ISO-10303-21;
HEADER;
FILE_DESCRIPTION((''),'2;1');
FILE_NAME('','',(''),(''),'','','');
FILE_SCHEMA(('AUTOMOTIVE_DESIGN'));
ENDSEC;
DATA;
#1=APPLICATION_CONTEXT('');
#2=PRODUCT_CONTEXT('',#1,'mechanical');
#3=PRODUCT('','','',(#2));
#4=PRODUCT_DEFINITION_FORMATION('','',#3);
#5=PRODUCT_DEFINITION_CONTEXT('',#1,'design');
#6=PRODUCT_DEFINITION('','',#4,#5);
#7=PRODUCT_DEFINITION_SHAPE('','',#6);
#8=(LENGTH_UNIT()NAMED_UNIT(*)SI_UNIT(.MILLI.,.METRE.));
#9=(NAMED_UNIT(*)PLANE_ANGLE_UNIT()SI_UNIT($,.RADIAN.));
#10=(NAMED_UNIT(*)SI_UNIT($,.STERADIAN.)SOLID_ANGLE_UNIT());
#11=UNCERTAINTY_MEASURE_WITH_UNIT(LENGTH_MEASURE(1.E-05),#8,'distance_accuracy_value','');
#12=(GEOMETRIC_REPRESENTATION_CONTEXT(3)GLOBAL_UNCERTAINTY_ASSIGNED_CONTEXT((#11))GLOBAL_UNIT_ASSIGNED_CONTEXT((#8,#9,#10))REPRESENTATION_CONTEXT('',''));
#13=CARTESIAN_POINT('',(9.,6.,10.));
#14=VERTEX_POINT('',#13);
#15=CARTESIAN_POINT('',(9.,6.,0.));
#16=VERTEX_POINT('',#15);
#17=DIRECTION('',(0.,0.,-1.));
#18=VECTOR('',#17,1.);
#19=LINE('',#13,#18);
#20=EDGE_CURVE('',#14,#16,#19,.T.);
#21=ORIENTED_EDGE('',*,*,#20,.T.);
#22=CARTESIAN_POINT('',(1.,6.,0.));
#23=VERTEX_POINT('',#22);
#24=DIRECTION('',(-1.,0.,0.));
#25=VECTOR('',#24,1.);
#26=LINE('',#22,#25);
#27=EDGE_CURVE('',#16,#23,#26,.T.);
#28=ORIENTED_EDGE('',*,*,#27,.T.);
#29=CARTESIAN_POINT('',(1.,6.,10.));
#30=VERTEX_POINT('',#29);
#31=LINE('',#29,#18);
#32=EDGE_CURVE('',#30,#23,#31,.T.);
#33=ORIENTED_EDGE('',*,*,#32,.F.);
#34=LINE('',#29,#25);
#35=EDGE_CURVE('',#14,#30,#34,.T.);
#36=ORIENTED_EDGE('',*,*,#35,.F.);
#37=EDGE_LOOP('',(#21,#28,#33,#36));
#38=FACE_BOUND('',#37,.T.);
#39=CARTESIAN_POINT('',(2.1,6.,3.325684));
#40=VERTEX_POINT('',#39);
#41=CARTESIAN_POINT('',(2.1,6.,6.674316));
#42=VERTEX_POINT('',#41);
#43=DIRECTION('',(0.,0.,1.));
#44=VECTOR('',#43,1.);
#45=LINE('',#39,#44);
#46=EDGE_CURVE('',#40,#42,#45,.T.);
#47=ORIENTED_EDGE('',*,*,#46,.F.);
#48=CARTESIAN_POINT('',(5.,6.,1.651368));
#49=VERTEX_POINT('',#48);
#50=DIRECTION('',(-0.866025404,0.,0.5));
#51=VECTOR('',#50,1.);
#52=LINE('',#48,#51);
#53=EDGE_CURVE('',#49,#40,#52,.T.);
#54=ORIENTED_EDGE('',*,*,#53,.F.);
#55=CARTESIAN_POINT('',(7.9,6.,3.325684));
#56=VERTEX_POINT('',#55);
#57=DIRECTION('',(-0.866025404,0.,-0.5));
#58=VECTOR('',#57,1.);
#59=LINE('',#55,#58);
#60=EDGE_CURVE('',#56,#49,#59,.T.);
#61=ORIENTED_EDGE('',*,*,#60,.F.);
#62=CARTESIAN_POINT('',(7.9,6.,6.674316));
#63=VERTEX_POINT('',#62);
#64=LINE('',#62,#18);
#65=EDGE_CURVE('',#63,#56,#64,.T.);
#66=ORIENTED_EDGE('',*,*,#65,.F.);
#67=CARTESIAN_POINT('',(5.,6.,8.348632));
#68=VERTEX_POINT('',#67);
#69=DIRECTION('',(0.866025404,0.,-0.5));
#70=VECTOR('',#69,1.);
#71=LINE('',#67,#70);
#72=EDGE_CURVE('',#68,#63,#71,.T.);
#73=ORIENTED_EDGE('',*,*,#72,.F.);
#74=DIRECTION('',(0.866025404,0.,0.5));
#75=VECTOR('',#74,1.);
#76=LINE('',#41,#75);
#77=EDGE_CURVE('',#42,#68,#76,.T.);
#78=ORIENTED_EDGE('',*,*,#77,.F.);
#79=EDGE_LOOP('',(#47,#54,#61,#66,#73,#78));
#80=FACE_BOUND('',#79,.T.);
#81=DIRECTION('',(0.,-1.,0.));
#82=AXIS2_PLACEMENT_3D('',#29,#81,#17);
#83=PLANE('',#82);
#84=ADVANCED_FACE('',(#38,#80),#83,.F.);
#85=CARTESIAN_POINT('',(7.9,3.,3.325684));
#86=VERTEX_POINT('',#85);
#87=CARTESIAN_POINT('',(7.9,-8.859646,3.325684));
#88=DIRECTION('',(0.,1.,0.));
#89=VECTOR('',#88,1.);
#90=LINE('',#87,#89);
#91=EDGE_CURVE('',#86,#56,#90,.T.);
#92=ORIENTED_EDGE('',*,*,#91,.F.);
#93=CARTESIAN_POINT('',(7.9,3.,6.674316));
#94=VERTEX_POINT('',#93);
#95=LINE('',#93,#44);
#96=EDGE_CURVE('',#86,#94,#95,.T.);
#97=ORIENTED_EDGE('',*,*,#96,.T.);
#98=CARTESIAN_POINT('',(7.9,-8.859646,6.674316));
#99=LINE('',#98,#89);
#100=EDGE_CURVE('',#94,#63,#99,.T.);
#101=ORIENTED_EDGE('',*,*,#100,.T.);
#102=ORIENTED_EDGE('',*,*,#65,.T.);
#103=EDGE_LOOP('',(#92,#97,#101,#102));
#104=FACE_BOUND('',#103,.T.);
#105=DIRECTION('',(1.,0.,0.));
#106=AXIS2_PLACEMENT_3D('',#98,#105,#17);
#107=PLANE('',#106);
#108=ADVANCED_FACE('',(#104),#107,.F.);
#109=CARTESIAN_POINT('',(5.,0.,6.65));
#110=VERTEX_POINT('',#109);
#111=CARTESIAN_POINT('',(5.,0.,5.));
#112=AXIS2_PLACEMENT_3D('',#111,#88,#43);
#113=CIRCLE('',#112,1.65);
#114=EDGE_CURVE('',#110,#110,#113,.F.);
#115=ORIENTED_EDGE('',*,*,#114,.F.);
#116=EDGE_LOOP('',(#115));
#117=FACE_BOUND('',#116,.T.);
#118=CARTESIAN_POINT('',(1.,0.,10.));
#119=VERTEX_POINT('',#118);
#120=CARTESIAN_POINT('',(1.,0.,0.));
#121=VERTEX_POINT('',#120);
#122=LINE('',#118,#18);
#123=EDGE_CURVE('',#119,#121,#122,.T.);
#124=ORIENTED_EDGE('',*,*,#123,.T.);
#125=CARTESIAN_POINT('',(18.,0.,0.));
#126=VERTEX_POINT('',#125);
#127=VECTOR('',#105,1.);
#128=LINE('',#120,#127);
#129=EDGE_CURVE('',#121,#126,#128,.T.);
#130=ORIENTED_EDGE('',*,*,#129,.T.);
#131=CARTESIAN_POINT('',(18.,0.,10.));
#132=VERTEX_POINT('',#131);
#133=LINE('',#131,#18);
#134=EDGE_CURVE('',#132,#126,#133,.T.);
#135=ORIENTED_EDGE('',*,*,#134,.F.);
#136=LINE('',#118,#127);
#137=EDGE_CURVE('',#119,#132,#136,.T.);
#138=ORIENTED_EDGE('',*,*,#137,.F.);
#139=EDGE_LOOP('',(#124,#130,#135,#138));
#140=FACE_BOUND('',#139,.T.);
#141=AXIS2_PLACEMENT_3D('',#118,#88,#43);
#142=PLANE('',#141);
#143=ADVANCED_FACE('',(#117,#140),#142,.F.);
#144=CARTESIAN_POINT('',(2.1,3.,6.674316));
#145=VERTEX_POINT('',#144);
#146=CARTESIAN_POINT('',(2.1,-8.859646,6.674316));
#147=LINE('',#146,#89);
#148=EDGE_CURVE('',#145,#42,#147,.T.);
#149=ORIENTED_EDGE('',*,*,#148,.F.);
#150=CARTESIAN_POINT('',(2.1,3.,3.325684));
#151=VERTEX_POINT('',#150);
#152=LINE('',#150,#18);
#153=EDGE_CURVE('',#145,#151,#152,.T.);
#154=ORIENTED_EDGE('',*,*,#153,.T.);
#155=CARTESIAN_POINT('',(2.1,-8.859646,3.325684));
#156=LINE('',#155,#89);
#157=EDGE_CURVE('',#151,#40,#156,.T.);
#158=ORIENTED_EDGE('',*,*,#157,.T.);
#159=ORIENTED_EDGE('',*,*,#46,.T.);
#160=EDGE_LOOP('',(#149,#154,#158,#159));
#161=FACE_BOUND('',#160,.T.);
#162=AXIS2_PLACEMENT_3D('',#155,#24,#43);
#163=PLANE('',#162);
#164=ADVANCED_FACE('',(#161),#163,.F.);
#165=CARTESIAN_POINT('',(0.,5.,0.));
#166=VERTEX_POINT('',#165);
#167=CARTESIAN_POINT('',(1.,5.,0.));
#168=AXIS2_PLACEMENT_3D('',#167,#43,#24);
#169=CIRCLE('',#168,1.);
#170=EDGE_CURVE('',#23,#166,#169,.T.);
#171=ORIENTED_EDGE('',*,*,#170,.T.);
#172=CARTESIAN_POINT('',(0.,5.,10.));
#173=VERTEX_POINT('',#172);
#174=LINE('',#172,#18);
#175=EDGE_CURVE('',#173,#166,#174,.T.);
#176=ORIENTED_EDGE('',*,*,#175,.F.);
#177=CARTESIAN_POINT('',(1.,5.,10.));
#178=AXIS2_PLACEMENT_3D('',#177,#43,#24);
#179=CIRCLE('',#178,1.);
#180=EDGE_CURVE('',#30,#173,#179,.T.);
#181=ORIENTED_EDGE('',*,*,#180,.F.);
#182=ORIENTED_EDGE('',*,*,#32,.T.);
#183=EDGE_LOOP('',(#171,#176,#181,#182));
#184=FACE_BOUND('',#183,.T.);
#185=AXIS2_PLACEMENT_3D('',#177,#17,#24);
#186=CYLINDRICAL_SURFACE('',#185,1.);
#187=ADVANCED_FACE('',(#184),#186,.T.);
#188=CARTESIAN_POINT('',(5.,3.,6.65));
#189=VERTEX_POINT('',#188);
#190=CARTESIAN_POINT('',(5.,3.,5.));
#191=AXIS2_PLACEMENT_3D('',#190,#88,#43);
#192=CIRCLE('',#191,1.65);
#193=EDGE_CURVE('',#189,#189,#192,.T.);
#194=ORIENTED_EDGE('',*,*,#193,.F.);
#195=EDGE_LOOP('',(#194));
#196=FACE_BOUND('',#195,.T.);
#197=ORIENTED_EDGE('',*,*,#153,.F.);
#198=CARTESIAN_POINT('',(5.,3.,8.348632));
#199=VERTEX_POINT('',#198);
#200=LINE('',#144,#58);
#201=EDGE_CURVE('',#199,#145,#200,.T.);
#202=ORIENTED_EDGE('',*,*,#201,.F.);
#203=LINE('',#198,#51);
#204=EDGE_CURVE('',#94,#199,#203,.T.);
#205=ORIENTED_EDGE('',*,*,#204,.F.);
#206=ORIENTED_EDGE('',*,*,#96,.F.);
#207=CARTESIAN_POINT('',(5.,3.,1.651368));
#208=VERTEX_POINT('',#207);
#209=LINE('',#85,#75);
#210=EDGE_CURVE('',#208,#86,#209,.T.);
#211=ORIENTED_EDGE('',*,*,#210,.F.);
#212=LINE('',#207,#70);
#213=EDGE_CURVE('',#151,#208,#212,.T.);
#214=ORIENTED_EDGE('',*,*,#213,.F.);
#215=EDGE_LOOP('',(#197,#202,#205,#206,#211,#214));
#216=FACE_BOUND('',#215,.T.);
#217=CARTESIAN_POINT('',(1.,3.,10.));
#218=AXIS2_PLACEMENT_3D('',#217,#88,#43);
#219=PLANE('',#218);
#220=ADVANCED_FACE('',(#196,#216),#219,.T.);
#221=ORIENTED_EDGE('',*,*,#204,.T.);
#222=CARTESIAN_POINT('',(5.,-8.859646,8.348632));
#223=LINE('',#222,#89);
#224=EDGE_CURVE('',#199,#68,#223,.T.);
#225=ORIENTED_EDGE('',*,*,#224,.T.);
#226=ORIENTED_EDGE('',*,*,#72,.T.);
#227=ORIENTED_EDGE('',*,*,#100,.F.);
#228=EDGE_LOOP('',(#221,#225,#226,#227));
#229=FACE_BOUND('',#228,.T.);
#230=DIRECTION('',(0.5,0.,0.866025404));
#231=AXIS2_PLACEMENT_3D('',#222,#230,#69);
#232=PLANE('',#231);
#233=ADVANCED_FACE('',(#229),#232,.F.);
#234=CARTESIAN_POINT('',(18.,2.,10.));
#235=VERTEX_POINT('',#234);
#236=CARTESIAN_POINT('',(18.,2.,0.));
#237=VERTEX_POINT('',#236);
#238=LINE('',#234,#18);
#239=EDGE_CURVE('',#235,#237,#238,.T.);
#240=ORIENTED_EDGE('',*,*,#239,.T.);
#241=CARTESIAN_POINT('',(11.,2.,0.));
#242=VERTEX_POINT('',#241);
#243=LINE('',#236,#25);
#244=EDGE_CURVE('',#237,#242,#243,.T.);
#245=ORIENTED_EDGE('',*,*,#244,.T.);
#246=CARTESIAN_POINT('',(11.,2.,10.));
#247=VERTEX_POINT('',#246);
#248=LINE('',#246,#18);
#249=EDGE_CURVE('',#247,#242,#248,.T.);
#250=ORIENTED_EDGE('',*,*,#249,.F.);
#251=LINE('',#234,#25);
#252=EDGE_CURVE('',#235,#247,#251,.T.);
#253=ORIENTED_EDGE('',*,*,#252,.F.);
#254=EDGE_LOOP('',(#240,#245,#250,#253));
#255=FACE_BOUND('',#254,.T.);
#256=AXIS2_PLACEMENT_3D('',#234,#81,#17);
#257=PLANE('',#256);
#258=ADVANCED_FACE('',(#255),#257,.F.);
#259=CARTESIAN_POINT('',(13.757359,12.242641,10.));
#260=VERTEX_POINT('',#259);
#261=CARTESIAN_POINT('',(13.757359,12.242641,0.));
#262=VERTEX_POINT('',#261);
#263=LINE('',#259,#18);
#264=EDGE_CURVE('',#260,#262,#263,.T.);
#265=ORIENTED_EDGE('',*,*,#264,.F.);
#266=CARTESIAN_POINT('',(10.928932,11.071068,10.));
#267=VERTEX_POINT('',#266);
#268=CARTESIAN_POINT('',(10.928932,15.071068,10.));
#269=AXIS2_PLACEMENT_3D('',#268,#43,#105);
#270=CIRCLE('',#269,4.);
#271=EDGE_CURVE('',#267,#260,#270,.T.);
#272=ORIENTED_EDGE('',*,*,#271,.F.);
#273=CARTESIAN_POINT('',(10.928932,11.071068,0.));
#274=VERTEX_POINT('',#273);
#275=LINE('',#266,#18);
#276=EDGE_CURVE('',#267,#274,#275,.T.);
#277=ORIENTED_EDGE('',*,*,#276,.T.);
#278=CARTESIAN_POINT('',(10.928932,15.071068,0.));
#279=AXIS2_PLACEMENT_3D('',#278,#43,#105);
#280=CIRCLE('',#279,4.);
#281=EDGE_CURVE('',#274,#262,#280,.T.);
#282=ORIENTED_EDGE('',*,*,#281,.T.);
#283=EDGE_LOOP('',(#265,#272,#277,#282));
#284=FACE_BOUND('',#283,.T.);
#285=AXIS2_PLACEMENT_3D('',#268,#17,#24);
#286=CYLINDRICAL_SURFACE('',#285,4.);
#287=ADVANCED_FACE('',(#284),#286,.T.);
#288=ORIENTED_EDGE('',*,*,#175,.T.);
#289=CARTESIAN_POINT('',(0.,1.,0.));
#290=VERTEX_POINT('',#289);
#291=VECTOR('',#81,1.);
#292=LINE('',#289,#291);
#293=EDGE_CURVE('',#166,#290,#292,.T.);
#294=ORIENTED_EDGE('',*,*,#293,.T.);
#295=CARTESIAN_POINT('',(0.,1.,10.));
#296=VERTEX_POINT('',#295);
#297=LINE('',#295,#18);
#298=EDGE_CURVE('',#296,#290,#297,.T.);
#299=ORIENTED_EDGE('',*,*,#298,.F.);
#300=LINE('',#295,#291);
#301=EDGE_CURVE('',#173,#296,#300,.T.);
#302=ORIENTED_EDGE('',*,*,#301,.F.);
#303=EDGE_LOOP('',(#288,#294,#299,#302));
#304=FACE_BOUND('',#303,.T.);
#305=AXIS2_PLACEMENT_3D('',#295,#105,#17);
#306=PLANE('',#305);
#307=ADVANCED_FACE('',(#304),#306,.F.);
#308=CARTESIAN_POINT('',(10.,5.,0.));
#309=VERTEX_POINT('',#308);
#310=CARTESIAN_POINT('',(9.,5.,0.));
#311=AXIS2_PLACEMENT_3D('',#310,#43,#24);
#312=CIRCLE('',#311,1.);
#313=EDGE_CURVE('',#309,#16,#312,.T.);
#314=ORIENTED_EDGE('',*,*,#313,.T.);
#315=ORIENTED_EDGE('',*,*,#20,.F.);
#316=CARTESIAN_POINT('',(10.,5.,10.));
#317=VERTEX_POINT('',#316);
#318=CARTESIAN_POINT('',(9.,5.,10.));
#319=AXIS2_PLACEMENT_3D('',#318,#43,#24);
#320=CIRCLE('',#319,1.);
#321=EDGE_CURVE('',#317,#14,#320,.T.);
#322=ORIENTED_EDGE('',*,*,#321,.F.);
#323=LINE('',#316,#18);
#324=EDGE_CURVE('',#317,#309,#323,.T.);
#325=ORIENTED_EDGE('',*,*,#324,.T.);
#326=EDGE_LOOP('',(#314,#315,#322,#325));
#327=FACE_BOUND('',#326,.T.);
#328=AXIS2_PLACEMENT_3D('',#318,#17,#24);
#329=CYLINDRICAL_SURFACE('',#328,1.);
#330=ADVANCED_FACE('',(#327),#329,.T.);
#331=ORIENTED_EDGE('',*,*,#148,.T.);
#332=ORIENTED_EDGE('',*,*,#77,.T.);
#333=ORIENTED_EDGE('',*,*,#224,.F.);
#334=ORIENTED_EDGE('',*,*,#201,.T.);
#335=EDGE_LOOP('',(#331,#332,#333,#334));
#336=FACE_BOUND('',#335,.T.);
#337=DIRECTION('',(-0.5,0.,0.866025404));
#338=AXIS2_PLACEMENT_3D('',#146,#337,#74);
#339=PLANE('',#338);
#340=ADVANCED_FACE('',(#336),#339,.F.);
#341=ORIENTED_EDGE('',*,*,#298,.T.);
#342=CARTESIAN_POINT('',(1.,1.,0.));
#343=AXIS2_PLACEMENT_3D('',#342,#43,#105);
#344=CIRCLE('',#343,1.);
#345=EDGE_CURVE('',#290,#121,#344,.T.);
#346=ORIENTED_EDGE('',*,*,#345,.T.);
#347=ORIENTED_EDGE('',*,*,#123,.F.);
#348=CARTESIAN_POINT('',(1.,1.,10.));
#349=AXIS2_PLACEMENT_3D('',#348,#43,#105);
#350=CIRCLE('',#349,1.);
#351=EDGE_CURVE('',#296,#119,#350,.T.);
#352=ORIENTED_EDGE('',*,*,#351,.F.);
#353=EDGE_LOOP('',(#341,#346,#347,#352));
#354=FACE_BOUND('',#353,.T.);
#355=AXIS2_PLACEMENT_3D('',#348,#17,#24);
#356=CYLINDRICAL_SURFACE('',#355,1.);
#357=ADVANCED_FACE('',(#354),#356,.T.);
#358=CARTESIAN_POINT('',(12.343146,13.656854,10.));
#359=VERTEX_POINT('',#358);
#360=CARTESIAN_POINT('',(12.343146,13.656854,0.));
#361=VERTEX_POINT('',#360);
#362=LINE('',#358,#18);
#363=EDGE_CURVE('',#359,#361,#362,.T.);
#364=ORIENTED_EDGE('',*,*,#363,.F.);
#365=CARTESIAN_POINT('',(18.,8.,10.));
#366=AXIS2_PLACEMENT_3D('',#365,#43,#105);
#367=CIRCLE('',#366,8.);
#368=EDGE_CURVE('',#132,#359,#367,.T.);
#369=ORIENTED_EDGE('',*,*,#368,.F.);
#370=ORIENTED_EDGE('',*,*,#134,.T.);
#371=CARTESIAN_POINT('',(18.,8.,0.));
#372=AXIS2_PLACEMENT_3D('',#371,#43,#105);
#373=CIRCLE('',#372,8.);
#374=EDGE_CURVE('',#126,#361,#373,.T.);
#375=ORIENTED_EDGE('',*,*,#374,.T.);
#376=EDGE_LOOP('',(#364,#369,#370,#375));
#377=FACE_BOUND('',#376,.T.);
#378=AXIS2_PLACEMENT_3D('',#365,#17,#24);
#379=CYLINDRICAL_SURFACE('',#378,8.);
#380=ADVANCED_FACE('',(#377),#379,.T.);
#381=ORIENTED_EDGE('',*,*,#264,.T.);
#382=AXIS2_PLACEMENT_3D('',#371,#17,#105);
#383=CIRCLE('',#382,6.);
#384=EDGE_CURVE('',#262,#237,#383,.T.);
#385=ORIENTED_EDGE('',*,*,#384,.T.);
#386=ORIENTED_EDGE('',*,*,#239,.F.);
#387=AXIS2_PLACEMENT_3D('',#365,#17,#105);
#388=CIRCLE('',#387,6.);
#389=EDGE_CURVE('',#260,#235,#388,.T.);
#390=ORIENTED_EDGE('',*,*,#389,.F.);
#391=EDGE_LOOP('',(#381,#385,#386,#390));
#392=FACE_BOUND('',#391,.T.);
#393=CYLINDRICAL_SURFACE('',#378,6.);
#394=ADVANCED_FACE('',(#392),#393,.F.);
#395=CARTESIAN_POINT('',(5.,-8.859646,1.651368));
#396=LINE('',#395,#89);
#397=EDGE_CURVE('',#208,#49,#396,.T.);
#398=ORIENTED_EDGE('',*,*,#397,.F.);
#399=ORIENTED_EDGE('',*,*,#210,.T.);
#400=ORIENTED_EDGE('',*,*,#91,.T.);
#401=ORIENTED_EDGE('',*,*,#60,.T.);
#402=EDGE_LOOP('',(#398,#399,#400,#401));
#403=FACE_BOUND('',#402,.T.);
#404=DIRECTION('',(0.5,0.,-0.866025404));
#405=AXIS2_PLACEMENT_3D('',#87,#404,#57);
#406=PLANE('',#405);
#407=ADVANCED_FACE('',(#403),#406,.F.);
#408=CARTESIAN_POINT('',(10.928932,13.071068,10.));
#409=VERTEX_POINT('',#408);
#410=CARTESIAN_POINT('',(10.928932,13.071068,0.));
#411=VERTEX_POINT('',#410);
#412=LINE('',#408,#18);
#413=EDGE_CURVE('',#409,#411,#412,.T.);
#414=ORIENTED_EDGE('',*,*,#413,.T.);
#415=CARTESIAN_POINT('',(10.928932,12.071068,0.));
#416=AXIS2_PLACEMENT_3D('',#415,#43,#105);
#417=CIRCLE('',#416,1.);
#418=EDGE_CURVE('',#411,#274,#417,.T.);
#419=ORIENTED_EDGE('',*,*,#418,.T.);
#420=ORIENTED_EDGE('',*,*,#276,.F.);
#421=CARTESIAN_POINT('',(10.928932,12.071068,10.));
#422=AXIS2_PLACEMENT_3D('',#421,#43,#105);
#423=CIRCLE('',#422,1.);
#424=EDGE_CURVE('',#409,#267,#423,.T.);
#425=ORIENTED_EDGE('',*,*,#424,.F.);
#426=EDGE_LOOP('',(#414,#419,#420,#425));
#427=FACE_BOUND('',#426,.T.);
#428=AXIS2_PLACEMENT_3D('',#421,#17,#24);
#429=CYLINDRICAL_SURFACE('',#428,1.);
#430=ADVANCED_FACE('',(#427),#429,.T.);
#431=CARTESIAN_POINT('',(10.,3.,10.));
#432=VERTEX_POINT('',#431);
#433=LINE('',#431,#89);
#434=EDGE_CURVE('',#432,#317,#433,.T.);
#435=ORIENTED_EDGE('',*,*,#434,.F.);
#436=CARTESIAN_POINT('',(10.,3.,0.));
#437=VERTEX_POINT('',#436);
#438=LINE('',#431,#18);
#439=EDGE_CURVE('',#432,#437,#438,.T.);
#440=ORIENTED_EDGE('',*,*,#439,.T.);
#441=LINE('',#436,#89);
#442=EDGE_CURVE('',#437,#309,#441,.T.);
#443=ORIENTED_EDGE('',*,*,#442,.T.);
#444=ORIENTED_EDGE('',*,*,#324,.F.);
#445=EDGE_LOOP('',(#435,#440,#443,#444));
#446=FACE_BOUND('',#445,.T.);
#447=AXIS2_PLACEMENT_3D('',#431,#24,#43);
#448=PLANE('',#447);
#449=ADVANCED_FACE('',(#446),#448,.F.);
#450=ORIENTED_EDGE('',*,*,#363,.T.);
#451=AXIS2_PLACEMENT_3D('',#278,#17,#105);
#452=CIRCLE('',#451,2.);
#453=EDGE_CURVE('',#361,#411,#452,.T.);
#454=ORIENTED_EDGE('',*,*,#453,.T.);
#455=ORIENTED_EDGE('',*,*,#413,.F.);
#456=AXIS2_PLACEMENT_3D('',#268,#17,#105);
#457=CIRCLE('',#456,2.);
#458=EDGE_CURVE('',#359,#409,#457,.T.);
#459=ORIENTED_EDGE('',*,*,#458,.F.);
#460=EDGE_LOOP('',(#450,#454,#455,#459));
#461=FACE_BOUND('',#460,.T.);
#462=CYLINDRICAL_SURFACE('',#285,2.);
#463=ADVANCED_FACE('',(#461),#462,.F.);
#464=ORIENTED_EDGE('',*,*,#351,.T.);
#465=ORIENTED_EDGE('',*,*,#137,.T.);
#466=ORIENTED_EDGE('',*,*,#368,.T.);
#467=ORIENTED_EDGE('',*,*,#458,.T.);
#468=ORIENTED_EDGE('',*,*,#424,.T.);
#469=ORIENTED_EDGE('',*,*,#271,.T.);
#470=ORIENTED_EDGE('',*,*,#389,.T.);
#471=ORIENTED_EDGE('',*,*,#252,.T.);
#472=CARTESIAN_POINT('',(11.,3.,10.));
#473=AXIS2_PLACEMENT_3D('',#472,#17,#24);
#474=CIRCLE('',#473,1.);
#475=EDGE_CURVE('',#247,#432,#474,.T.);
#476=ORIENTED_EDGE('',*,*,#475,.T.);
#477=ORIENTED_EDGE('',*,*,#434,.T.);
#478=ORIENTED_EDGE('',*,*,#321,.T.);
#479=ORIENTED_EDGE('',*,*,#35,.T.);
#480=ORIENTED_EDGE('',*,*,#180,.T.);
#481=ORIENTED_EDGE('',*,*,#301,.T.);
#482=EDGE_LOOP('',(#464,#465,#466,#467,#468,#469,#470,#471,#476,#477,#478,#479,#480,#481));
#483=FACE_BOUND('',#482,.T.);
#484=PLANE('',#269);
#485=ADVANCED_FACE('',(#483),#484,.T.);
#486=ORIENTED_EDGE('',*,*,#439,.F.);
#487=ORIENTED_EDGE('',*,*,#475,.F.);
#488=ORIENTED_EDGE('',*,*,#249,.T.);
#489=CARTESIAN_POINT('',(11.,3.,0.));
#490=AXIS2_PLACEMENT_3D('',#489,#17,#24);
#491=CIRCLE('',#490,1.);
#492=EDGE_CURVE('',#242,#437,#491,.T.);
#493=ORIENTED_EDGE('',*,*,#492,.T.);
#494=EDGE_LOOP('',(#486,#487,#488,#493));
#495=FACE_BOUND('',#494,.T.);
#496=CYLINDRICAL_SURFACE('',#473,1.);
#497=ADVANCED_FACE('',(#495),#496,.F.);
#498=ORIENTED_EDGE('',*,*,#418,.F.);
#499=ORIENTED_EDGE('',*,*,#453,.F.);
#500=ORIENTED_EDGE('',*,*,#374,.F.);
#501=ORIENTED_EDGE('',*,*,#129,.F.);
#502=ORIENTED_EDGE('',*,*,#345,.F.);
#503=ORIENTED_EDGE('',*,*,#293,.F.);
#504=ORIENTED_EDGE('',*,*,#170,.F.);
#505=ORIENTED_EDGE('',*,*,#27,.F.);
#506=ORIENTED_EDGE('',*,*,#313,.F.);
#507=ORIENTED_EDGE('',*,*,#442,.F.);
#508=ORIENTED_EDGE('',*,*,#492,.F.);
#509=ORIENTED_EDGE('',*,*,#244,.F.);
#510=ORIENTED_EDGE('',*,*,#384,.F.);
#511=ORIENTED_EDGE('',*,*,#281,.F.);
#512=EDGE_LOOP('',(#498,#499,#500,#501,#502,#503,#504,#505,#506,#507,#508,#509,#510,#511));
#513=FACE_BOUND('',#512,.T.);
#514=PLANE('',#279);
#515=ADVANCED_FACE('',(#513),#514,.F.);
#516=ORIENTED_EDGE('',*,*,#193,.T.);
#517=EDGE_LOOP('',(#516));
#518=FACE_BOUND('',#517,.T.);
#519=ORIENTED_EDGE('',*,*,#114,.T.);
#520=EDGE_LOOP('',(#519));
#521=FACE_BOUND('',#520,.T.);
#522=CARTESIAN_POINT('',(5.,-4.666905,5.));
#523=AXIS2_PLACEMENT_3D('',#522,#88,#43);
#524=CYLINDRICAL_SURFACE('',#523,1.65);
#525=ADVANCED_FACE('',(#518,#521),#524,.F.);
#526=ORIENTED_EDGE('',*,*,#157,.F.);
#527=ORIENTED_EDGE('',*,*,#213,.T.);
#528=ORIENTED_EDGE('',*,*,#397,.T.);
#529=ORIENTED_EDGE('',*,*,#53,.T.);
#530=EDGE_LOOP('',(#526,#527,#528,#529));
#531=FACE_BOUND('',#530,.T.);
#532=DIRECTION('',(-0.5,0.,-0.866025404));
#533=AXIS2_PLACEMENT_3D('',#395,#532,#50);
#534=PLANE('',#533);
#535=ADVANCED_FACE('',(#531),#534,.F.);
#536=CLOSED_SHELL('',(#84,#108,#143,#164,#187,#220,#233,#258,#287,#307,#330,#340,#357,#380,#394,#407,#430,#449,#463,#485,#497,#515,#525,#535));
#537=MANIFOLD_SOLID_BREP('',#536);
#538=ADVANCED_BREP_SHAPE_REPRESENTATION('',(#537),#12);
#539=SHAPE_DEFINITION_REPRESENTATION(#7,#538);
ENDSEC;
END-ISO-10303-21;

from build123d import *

# Parameters (mm, degrees)
BOSS_EXTRUDE1_DEPTH = 10
CUT_EXTRUDE1_DEPTH  = 3
SKETCH3_R           = 1.65
CUT_EXTRUDE2_DEPTH  = 6


with BuildPart() as part:
    # Sketch1 → Boss-Extrude1 (new body)
    with BuildSketch(Plane.XY):
        with BuildLine():
            Line((0, 1), (0, 5))
            ThreePointArc((0, 5), (0.292893219, 5.707106781), (1, 6))
            Line((1, 6), (9, 6))
            ThreePointArc((9, 6), (9.707106781, 5.707106781), (10, 5))
            Line((10, 5), (10, 3))
            ThreePointArc((10, 3), (10.292893219, 2.292893219), (11, 2))
            Line((11, 2), (18, 2))
            ThreePointArc((18, 2), (23.543277195, 10.296100594), (13.757359313, 12.242640687))
            ThreePointArc((13.757359313, 12.242640687), (12.459665918, 11.375549682), (10.928932188, 11.071067812))
            ThreePointArc((10.928932188, 11.071067812), (9.928932188, 12.071067812), (10.928932188, 13.071067812))
            ThreePointArc((10.928932188, 13.071067812), (11.694299053, 13.223308747), (12.343145751, 13.656854249))
            ThreePointArc((12.343145751, 13.656854249), (25.39103626, 11.061467459), (18, 0))
            Line((18, 0), (1, 0))
            ThreePointArc((1, 0), (0.292893219, 0.292893219), (0, 1))
        make_face()
    extrude(amount=BOSS_EXTRUDE1_DEPTH)

    # Sketch2 → Cut-Extrude1 (cut)
    with BuildSketch(Plane(origin=(0, 6, 0), x_dir=(1, 0, 0), z_dir=(0, 1, 0))):
        Polygon((5, -1.651368439), (2.1, -3.325684219), (2.1, -6.674315781), (5, -8.348631561), (7.9, -6.674315781), (7.9, -3.325684219), align=None)
    extrude(amount=-CUT_EXTRUDE1_DEPTH, mode=Mode.SUBTRACT)

    # Sketch3 → Cut-Extrude2 (cut)
    with BuildSketch(Plane(origin=(0, 6, 0), x_dir=(1, 0, 0), z_dir=(0, 1, 0))):
        with Locations(Location((5, -5, 0), (0, 0, 270))):
            Circle(SKETCH3_R)
    extrude(amount=-CUT_EXTRUDE2_DEPTH, mode=Mode.SUBTRACT)


solid = part.part
